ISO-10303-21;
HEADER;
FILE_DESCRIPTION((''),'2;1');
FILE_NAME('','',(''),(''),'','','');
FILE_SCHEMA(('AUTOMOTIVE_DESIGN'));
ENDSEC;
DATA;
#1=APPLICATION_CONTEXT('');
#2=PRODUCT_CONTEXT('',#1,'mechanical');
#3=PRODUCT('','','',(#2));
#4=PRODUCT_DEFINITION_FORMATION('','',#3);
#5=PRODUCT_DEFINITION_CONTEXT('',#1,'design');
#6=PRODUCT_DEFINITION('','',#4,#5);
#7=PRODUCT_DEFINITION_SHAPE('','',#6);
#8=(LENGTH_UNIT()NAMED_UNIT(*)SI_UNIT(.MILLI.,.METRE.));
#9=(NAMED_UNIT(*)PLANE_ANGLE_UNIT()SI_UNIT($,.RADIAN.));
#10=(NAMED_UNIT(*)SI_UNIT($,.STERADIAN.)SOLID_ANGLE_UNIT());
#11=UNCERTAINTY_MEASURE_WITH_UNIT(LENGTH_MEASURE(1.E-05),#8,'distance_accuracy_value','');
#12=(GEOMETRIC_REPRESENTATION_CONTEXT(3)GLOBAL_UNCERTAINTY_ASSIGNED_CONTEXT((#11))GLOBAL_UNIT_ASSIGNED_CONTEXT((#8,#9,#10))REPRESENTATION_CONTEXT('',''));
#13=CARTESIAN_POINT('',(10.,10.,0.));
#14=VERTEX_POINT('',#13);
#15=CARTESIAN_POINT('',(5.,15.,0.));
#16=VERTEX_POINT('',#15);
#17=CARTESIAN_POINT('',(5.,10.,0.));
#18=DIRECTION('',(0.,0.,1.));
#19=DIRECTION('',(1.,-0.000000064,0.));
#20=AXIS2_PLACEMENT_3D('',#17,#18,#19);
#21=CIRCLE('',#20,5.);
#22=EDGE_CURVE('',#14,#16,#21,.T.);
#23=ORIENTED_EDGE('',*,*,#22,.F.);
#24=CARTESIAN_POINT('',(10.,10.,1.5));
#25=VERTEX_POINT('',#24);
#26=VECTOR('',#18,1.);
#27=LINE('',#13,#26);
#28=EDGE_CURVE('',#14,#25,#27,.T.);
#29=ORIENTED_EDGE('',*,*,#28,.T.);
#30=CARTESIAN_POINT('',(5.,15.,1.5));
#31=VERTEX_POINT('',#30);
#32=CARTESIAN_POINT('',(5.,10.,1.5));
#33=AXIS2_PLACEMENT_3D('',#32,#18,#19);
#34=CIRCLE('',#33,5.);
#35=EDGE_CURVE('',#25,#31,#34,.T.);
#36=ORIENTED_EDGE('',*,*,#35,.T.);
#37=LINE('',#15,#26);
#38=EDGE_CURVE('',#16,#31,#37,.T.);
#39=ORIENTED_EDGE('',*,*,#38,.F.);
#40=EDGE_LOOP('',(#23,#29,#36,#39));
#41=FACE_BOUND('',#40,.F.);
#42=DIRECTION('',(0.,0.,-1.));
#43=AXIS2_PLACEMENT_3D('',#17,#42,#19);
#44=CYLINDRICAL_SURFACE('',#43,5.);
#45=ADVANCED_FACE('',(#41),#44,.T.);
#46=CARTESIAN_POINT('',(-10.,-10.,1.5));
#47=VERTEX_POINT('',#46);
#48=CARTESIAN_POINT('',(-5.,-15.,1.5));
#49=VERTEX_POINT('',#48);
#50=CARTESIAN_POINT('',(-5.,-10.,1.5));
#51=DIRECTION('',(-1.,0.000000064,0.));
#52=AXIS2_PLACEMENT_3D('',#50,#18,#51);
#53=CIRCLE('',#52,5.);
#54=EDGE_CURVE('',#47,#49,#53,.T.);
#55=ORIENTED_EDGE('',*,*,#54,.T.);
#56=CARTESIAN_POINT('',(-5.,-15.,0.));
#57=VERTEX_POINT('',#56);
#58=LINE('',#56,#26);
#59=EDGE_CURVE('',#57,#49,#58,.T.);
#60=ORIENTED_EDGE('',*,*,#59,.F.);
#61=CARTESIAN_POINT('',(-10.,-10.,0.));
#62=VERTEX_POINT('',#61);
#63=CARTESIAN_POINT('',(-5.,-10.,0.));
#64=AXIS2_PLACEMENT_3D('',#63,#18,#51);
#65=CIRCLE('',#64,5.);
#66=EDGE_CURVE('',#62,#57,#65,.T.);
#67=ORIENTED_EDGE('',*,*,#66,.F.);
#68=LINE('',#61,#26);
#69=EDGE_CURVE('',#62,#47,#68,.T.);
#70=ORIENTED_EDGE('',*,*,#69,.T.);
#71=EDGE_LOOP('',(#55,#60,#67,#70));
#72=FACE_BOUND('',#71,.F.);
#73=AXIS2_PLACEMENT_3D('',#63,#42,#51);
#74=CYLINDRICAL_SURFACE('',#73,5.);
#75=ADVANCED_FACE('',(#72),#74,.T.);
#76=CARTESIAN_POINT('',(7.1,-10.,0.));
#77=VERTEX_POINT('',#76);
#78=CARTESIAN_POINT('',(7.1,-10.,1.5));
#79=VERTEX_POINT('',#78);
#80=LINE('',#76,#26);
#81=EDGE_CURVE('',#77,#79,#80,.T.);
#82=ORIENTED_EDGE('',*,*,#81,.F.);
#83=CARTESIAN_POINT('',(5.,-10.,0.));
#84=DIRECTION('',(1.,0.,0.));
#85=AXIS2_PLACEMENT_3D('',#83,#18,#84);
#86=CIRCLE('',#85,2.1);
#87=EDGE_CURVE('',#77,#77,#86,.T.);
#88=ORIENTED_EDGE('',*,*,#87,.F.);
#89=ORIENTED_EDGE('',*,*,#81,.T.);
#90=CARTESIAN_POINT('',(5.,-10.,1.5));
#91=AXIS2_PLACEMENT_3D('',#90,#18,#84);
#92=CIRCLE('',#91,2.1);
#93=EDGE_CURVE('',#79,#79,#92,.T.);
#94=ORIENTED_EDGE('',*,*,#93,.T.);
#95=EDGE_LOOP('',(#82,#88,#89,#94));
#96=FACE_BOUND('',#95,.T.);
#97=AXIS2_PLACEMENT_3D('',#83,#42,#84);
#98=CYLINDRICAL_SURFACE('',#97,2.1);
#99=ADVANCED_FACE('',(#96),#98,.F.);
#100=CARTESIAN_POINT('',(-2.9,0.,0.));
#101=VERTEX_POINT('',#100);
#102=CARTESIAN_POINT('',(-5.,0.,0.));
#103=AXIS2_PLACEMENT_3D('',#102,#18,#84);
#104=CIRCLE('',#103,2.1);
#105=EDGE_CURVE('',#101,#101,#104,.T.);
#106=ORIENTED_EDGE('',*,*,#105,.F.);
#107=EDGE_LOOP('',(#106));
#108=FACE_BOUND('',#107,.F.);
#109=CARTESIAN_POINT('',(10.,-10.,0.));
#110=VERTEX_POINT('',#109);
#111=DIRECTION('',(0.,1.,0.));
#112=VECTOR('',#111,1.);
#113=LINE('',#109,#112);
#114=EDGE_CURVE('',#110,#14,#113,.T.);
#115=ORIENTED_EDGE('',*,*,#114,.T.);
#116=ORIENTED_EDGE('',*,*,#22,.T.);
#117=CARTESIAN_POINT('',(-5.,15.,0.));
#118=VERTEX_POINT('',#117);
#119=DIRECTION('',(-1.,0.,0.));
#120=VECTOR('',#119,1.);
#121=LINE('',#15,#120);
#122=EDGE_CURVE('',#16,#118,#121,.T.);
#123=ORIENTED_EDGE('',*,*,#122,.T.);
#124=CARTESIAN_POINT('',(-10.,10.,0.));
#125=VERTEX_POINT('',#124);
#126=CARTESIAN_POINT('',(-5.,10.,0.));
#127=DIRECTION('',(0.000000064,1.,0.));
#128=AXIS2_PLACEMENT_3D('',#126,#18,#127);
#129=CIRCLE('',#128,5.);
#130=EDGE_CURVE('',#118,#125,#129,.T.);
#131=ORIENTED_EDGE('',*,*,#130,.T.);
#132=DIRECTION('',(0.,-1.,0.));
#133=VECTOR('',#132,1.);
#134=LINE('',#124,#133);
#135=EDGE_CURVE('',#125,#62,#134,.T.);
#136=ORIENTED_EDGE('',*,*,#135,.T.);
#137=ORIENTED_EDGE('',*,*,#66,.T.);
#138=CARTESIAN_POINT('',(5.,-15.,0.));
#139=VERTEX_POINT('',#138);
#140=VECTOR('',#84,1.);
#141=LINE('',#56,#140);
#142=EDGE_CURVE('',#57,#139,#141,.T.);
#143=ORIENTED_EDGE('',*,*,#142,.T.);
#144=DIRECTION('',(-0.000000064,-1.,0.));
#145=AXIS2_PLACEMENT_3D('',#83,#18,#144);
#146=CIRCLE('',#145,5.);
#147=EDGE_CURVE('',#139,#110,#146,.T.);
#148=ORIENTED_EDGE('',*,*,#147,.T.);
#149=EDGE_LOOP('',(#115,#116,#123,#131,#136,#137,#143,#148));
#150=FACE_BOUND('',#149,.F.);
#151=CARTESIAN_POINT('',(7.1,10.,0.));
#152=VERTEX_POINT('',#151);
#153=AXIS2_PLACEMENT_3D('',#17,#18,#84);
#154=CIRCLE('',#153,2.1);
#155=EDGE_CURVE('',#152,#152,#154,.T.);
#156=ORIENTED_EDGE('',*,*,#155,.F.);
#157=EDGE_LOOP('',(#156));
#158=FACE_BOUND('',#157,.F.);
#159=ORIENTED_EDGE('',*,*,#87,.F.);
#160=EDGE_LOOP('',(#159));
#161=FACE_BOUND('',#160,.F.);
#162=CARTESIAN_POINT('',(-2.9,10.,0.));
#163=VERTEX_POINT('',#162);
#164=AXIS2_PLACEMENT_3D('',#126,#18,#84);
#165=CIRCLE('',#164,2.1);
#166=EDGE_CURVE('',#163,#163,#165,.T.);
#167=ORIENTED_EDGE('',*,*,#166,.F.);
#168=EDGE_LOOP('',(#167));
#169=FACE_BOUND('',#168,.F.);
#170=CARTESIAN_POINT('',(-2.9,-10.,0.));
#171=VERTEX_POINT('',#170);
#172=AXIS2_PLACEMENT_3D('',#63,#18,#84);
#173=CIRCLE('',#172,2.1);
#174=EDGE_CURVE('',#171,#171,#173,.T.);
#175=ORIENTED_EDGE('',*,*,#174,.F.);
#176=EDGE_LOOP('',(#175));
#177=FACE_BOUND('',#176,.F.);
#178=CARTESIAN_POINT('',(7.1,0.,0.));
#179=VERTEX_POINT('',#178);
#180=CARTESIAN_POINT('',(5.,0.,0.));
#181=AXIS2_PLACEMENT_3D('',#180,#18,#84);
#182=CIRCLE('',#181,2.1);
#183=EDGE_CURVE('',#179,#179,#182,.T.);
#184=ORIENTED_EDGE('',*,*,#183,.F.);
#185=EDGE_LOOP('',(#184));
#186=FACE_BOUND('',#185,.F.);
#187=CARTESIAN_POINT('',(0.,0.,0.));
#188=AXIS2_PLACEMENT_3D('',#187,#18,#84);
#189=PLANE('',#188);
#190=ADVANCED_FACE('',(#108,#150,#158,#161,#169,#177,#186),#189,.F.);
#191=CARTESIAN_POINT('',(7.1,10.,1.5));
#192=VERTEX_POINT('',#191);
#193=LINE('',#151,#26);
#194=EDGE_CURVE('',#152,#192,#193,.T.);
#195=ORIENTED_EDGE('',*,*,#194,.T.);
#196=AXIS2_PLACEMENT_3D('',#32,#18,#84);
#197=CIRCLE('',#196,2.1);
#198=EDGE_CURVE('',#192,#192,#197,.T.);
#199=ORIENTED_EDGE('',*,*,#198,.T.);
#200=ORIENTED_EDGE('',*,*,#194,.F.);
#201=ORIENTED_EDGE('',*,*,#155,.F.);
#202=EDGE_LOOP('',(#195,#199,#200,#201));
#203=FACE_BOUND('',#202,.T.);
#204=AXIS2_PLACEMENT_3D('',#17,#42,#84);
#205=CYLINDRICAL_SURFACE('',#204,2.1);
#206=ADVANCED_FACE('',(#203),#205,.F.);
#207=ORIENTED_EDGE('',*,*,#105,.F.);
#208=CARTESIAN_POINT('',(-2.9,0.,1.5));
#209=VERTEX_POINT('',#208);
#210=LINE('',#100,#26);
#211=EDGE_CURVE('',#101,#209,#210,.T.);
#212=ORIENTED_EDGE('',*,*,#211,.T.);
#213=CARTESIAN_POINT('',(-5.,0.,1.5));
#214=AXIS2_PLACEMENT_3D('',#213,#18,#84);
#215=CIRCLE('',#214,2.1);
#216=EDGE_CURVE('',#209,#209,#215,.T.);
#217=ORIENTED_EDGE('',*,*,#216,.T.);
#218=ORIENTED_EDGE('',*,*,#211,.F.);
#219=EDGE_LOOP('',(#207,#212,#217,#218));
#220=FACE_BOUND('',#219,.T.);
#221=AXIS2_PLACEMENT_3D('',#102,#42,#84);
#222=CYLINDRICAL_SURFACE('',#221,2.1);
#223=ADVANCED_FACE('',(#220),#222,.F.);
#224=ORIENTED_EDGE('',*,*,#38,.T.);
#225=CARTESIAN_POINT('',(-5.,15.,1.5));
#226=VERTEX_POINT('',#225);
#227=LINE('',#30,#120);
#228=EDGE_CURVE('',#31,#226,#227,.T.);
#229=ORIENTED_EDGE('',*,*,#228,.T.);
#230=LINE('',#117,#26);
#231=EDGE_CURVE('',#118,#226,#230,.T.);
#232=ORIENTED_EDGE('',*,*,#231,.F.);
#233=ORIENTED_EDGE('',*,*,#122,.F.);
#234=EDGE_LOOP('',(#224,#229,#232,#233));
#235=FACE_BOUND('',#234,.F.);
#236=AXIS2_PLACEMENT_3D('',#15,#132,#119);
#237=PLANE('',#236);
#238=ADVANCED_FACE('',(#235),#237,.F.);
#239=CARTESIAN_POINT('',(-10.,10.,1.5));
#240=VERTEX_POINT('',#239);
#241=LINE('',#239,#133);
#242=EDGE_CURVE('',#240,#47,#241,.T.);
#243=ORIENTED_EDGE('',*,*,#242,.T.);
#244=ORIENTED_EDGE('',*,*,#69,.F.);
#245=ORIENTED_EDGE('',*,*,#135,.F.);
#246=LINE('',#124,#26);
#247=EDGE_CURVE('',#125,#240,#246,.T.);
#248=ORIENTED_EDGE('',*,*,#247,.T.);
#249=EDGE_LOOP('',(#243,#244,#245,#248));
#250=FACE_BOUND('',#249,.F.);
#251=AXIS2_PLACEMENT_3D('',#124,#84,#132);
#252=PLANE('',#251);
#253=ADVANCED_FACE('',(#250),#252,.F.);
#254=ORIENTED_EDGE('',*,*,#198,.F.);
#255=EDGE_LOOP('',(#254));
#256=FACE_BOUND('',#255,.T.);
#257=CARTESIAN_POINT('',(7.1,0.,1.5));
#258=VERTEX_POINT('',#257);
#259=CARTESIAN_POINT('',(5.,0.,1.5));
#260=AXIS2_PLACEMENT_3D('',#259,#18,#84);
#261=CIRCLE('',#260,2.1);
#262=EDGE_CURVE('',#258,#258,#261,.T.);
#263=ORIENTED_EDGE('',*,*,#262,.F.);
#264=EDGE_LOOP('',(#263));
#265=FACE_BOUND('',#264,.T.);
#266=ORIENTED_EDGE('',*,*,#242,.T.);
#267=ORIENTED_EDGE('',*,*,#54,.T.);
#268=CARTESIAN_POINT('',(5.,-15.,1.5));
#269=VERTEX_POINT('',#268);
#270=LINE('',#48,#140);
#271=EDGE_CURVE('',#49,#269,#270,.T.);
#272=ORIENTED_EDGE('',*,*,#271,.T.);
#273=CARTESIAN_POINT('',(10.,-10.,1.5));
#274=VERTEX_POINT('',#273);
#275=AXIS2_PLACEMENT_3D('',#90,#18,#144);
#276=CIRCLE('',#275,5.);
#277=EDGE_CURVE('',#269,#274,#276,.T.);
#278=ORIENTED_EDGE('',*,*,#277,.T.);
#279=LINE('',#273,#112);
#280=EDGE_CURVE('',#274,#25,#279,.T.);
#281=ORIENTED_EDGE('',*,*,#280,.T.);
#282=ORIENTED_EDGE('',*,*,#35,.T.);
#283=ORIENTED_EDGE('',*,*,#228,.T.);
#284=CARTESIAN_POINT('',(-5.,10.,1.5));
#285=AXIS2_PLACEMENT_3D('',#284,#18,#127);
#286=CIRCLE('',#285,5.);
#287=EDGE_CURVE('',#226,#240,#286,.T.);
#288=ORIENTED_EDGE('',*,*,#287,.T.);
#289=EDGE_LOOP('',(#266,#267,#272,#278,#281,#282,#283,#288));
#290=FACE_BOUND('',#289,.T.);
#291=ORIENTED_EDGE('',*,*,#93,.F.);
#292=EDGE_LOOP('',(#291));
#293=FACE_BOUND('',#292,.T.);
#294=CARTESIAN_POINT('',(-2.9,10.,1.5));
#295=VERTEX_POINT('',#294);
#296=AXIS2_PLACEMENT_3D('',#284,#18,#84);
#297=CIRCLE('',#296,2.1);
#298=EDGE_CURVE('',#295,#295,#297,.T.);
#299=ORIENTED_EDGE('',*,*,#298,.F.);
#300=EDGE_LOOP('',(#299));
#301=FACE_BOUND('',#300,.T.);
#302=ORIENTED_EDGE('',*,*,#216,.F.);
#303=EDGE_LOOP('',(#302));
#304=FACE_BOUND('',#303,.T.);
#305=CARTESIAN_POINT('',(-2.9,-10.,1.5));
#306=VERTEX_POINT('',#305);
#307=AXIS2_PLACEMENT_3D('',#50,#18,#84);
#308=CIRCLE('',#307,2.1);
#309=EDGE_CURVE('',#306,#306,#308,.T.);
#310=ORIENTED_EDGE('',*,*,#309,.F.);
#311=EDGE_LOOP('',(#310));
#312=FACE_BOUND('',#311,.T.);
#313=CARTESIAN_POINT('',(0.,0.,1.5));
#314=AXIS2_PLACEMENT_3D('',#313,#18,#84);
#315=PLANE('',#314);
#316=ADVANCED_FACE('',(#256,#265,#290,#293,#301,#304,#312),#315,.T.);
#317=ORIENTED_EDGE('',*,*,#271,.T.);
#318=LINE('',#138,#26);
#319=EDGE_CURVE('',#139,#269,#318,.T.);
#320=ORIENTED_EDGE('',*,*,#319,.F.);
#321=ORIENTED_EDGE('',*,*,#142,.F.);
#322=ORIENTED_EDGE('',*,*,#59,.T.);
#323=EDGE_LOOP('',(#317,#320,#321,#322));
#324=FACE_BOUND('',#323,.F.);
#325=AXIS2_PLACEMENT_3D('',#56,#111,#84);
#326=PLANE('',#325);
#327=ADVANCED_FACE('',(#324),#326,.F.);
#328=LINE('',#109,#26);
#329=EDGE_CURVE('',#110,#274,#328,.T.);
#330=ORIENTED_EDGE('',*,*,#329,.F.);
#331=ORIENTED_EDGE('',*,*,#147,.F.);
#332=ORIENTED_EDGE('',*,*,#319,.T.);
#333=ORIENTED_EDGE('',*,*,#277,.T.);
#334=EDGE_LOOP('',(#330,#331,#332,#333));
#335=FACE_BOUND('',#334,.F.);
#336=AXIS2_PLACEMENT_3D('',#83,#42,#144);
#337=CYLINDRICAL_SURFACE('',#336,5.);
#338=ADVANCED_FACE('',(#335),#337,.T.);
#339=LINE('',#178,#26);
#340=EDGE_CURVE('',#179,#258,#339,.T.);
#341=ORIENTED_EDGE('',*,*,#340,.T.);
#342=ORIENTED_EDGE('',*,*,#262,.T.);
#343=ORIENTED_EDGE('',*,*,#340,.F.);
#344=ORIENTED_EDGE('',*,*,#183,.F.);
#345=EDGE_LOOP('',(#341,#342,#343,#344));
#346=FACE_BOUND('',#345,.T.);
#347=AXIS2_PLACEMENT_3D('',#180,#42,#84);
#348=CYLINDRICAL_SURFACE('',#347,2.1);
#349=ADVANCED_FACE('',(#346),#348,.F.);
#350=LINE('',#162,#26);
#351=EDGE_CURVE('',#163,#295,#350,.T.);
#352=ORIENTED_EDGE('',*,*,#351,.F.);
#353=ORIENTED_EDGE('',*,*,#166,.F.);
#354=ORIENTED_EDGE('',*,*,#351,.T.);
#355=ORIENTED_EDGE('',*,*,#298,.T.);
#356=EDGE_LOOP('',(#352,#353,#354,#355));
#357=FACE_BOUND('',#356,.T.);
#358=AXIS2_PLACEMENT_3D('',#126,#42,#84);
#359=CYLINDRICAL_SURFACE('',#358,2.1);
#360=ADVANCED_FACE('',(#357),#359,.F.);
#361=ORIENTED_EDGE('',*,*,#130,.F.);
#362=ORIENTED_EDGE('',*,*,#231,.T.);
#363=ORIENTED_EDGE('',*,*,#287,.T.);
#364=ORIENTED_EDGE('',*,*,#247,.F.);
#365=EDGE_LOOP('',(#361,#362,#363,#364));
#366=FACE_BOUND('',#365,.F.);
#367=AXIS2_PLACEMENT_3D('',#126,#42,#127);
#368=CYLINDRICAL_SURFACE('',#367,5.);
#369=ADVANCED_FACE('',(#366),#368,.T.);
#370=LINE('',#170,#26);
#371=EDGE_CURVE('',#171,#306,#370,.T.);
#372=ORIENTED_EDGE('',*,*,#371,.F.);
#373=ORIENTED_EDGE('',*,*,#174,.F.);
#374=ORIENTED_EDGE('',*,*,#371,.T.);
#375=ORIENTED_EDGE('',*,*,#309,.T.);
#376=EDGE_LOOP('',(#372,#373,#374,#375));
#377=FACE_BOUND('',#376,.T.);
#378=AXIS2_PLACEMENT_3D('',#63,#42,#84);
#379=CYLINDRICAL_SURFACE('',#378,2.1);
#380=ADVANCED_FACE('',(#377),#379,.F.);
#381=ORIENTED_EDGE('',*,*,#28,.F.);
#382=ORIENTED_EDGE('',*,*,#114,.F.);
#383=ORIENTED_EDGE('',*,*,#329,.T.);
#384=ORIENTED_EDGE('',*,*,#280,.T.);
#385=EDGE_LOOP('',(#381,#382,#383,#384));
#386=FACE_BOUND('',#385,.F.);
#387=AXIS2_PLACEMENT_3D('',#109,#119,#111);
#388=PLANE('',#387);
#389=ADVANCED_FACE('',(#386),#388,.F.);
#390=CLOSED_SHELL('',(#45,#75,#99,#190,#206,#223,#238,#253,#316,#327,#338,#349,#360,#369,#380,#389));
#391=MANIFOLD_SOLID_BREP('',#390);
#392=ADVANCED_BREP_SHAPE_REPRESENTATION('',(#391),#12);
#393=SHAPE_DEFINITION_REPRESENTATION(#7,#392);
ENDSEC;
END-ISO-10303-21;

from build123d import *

# Parameters (mm, degrees)
F0_R     = 2.1
F1_DEPTH = 1.5


with BuildPart() as f1:
    # F0 (on Top) → F1 (new body)
    with BuildSketch(Plane.XY):
        with BuildLine():
            Line((-5, -15), (5, -15))
            ThreePointArc((5, -15), (8.535534, -13.535534), (10, -10))
            Line((10, -10), (10, 10))
            ThreePointArc((10, 10), (8.535534, 13.535534), (5, 15))
            Line((5, 15), (-5, 15))
            ThreePointArc((-5, 15), (-8.535534, 13.535534), (-10, 10))
            Line((-10, 10), (-10, -10))
            ThreePointArc((-10, -10), (-8.535534, -13.535534), (-5, -15))
        make_face()
        with Locations((-5, -10)):
            Circle(F0_R, mode=Mode.SUBTRACT)
        with Locations((5, -10)):
            Circle(F0_R, mode=Mode.SUBTRACT)
        with Locations((-5, 0)):
            Circle(F0_R, mode=Mode.SUBTRACT)
        with Locations((-5, 10)):
            Circle(F0_R, mode=Mode.SUBTRACT)
        with Locations((5, 0)):
            Circle(F0_R, mode=Mode.SUBTRACT)
        with Locations((5, 10)):
            Circle(F0_R, mode=Mode.SUBTRACT)
    extrude(amount=F1_DEPTH)


solid = f1.part
